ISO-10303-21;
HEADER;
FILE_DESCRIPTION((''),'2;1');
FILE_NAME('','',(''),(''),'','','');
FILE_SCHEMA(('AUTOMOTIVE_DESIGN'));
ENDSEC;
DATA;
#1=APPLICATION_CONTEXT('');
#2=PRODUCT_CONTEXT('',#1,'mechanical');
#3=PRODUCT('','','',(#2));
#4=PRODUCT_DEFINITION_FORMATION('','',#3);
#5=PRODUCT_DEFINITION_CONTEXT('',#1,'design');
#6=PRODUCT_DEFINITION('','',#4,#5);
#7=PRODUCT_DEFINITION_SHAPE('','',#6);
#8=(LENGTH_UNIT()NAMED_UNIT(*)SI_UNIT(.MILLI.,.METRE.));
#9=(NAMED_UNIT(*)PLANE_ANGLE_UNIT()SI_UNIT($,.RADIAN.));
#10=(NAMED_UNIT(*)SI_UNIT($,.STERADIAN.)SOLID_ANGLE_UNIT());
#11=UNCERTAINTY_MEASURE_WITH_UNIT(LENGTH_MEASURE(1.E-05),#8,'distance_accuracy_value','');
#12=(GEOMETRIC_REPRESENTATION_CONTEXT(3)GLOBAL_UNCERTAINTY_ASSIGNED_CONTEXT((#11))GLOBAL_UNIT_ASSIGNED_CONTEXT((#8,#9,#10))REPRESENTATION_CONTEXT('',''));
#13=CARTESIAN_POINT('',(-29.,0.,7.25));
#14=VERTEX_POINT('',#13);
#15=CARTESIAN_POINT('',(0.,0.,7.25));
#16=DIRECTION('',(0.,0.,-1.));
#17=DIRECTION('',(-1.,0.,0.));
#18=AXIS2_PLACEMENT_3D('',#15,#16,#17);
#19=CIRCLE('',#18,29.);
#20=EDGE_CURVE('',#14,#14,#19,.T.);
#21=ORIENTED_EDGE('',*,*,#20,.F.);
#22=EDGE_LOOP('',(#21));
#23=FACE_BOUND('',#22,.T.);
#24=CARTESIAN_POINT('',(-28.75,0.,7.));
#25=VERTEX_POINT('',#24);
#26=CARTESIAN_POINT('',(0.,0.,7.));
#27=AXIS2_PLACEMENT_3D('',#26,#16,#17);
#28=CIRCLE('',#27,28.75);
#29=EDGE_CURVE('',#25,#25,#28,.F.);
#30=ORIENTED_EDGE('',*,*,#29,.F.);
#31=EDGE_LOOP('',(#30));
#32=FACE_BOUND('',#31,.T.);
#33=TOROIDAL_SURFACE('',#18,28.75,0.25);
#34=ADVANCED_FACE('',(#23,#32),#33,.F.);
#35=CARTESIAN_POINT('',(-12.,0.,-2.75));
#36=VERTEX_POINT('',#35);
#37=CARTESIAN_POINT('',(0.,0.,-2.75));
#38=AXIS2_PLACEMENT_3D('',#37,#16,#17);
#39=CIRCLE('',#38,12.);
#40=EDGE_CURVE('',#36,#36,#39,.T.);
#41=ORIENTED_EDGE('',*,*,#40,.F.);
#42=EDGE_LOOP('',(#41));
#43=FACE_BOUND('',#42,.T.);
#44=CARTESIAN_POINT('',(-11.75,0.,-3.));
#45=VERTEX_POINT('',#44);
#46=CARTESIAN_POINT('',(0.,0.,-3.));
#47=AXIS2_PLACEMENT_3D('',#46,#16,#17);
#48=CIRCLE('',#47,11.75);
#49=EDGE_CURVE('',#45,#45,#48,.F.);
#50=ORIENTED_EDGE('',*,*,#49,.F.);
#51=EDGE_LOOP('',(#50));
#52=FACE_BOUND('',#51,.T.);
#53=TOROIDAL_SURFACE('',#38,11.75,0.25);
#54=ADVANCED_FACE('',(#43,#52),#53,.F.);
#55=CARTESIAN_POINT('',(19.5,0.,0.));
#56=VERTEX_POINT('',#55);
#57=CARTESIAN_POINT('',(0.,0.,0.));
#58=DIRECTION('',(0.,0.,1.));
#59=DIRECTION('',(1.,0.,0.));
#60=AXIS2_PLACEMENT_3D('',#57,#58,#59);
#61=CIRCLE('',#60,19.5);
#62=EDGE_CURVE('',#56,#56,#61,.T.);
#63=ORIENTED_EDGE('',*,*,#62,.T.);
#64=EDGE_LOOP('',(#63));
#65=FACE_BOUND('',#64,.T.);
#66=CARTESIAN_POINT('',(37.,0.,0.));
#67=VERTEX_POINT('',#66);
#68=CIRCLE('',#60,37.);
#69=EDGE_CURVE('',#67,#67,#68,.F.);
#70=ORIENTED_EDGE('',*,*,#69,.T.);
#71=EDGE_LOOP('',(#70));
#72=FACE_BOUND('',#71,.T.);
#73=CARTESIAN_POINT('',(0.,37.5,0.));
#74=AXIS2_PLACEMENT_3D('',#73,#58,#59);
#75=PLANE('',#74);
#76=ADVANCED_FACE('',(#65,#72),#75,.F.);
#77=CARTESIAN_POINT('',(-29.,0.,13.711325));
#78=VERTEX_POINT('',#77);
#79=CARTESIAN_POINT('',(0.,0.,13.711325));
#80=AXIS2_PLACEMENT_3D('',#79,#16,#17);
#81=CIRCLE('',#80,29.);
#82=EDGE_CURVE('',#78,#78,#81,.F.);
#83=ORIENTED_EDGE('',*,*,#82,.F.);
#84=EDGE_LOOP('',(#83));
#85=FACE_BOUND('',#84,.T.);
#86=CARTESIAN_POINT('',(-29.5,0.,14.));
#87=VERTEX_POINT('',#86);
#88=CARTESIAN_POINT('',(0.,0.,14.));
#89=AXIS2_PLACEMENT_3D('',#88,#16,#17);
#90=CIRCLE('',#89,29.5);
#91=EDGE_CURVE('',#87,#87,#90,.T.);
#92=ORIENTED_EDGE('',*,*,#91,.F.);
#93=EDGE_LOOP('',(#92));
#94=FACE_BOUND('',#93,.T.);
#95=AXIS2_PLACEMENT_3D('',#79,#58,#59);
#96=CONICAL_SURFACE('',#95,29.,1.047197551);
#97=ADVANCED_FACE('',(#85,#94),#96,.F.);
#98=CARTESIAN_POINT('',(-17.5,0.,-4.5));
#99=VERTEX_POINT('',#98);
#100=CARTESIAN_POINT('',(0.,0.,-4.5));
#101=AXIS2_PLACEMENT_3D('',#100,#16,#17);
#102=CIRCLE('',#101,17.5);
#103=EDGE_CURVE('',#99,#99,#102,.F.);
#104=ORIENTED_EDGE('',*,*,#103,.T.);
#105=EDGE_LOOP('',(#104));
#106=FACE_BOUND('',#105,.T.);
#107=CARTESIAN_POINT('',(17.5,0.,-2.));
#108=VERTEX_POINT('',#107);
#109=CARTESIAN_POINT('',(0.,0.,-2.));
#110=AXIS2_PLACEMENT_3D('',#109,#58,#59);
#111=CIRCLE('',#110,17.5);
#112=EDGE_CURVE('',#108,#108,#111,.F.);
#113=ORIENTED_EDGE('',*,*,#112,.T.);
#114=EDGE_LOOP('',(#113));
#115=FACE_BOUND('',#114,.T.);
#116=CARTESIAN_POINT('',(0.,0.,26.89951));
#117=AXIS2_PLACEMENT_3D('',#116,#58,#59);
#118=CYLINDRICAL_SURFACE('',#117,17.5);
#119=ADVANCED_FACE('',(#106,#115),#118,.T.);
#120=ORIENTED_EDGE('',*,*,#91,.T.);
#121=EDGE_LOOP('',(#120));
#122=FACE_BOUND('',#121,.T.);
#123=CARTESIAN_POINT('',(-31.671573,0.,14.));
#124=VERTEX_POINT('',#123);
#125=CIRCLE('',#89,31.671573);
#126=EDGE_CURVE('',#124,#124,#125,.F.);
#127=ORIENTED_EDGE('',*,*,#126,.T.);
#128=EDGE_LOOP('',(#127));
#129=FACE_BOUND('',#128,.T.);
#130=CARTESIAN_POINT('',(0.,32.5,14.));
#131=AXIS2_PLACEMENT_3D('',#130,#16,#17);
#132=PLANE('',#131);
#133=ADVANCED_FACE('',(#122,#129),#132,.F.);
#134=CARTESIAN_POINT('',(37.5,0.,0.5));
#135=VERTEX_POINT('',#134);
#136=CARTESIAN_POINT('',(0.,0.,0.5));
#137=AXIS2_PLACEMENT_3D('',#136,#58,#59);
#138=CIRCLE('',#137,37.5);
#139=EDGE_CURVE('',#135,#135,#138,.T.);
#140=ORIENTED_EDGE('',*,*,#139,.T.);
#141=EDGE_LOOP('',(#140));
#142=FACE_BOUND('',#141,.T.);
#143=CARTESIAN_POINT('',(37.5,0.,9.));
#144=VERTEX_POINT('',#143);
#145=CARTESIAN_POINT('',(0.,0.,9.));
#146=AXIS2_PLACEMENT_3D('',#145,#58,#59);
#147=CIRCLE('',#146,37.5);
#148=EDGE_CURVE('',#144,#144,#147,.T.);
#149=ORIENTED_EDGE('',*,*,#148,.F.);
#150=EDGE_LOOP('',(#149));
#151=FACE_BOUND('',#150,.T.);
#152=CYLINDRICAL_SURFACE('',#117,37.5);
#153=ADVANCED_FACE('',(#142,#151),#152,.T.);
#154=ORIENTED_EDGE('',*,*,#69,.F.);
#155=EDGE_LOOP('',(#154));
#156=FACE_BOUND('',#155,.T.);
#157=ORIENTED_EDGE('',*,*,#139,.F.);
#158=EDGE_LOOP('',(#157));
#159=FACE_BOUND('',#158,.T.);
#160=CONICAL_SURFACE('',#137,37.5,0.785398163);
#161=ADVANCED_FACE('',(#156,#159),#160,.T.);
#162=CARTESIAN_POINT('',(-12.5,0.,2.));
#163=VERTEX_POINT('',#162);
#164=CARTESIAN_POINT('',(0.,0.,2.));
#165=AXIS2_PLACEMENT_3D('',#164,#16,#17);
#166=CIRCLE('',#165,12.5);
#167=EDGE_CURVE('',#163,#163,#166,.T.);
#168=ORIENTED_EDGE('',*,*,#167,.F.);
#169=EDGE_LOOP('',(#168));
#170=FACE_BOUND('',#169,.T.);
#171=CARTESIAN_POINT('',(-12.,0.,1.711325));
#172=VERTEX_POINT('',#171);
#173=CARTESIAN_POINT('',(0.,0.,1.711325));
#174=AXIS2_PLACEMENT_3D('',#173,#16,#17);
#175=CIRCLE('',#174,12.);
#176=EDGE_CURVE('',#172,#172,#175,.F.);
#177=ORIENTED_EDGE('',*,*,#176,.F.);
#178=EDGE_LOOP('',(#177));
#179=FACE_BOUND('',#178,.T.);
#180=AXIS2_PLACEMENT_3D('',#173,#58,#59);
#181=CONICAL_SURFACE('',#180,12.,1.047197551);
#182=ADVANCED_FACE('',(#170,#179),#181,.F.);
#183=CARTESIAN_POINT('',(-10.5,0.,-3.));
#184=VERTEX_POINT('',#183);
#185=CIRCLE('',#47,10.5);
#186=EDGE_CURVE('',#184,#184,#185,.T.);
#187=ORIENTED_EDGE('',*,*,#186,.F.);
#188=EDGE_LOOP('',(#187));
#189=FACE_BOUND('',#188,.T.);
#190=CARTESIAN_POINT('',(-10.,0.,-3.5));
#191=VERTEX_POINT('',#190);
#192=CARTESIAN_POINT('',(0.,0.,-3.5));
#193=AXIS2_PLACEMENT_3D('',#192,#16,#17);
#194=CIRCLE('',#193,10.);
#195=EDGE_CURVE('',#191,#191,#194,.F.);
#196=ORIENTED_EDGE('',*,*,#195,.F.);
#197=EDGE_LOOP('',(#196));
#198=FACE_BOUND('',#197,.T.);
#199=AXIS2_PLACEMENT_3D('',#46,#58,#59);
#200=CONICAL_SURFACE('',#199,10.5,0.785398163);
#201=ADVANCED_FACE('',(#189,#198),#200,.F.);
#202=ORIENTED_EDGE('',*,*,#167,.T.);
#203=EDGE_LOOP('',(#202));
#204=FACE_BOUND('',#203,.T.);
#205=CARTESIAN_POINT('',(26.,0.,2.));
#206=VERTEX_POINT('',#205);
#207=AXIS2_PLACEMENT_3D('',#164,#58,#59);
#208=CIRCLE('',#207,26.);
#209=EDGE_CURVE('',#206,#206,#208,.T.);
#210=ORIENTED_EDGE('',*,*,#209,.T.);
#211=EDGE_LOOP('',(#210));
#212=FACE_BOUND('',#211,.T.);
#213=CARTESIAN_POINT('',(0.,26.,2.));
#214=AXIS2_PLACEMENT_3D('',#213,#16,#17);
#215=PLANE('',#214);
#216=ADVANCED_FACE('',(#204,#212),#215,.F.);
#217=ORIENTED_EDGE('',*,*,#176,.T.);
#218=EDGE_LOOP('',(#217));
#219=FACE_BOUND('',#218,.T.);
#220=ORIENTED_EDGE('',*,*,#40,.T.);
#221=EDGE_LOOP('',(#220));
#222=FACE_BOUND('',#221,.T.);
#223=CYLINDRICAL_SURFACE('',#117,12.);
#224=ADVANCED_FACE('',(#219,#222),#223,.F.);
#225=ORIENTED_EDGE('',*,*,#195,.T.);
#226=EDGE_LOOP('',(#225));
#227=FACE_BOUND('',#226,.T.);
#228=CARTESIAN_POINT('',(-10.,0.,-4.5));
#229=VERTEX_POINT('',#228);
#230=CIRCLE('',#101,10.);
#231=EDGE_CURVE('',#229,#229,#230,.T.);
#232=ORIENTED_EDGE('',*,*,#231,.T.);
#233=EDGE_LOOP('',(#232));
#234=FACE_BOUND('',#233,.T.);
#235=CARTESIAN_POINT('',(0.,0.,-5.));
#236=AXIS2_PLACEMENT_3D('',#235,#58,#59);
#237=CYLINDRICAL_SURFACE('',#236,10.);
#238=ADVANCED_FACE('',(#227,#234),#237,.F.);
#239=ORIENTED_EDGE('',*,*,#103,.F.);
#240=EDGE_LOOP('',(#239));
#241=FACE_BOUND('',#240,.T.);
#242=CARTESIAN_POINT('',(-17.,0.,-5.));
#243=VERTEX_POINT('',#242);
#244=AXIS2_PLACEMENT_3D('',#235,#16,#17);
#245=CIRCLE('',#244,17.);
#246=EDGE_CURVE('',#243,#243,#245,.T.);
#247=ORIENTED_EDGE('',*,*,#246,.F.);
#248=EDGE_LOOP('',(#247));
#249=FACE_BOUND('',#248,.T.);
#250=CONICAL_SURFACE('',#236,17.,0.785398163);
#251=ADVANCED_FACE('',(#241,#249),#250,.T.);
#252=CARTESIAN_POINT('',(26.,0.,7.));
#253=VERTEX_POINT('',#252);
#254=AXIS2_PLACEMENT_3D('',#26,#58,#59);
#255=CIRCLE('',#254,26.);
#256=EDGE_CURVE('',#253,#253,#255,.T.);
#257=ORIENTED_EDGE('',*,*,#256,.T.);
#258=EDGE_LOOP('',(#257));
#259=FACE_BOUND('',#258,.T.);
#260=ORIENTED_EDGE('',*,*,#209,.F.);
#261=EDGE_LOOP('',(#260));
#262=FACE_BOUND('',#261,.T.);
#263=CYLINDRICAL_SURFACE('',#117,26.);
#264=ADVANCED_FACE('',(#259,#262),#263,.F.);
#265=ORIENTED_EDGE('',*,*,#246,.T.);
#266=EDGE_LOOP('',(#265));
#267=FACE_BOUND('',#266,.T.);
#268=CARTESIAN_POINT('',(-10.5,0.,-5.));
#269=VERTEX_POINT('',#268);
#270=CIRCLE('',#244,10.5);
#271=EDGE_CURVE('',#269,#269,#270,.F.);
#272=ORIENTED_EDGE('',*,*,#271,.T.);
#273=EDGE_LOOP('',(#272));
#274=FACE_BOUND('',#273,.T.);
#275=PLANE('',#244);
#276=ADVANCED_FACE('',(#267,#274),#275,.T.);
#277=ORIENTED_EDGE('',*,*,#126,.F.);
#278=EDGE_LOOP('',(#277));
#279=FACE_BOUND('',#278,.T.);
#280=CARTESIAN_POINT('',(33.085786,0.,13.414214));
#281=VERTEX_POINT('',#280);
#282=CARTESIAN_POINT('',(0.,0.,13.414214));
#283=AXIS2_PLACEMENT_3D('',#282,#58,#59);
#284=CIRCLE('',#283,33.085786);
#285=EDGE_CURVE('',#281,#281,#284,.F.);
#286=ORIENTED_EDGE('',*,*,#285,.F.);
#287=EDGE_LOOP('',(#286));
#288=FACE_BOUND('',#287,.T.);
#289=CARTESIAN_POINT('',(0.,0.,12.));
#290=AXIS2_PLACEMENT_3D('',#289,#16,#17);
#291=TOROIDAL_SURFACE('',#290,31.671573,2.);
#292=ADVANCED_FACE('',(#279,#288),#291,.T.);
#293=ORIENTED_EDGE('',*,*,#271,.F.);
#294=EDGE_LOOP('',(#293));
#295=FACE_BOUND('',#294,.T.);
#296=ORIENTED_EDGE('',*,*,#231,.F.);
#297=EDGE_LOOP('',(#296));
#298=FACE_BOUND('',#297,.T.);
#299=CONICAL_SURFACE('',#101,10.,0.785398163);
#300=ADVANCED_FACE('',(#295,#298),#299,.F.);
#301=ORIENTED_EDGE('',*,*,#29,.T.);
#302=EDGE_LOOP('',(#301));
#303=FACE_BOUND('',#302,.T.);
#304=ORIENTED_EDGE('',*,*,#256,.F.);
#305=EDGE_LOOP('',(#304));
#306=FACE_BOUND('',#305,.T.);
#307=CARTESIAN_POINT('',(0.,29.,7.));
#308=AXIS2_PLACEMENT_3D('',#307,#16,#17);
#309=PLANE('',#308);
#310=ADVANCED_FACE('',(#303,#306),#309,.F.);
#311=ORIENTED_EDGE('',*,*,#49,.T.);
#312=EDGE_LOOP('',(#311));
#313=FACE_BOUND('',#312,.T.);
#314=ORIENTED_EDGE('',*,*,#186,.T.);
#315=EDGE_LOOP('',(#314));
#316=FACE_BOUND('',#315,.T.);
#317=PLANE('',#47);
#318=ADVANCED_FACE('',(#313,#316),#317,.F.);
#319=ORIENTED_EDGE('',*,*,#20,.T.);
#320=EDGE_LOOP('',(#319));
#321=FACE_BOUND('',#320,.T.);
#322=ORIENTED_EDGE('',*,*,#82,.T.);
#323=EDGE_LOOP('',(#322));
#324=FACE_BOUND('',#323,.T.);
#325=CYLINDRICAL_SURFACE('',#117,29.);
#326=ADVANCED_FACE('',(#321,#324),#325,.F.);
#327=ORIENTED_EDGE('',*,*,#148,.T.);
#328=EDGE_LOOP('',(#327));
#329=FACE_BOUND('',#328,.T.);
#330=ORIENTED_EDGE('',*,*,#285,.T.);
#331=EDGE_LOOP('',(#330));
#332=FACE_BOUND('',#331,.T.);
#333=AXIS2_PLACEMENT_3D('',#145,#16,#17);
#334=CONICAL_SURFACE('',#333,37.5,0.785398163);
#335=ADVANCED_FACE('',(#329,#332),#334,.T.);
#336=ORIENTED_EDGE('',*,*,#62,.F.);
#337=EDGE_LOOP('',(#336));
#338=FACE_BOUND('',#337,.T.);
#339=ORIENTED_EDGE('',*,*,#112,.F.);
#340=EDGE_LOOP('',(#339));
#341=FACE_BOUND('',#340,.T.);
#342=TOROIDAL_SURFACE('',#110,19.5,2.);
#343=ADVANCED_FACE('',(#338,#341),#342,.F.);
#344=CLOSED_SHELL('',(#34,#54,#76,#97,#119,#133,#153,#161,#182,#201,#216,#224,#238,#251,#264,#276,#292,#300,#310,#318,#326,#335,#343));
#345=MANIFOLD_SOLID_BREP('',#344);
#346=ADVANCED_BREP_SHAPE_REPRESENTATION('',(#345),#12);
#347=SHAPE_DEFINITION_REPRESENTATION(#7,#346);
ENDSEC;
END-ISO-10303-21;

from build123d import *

# Parameters (mm, degrees)
FILLET_1_R      = 2
CHAMFER_1_SIZE  = 0.5
CHAMFER_1_SIZE2 = 0.288675135
CHAMFER_2_SIZE  = 0.5
CHAMFER_2_SIZE2 = 0.288675135
SKETCH_2_R      = 17.5
SKETCH_2_R_2    = 10
EXTRUDE_1_DEPTH = 2
CHAMFER_3_SIZE  = 0.5
CHAMFER_4_SIZE  = 0.5
FILLET_2_R      = 0.25


with BuildPart() as part:
    # ｽｹｯﾁ1 → 回転1 (revolve)
    with BuildSketch(Plane(origin=(0, 0, 0), x_dir=(0, 0, -1), z_dir=(1, 0, 0)), mode=Mode.PRIVATE) as revolve_1_sk:
        Polygon((-9, 37.5), (-14, 32.5), (-14, 29), (-7, 29), (-7, 26), (-2, 26), (-2, 12), (3, 12), (3, 17.5), (0, 17.5), (0, 37.5), align=None)
    revolve(revolve_1_sk.sketch.rotate(Axis((0, 0, 26.899509804), (0, 0, -1)), 90), axis=Axis((0, 0, 26.899509804), (0, 0, -1)))

    # ﾌｨﾚｯﾄ1
    fillet_1_edges = [part.edges().sort_by_distance(p)[0] for p in [
        (-17.5, 0, 0),
        (-32.5, 0, 14),
    ]]
    fillet(fillet_1_edges, radius=FILLET_1_R)

    # 面取り1
    chamfer_1_edges = [part.edges().sort_by_distance(p)[0] for p in [
        (-29, 0, 14),
    ]]
    chamfer_1_side = [part.faces().sort_by_distance(p)[0] for p in [
        (-30.775765517, 0, 14),
    ]]
    chamfer(chamfer_1_edges, length=CHAMFER_1_SIZE, length2=CHAMFER_1_SIZE2, reference=chamfer_1_side[0])

    # 面取り2
    chamfer_2_edges = [part.edges().sort_by_distance(p)[0] for p in [
        (-12, 0, 2),
    ]]
    chamfer_2_side = [part.faces().sort_by_distance(p)[0] for p in [
        (-25.264608948, 0, 2),
    ]]
    chamfer(chamfer_2_edges, length=CHAMFER_2_SIZE, length2=CHAMFER_2_SIZE2, reference=chamfer_2_side[0])

    # ｽｹｯﾁ2 → ﾎﾞｽ - 押し出し1 (add)
    with BuildSketch(Plane(origin=(0, 0, -3), x_dir=(-1, 0, 0), z_dir=(0, 0, -1))):
        with Locations(Location((0, 0, 0), (0, 0, 180))):
            Circle(SKETCH_2_R)
        Circle(SKETCH_2_R_2, mode=Mode.SUBTRACT)
    extrude(amount=EXTRUDE_1_DEPTH)

    # 面取り3
    chamfer_3_edges = [part.edges().sort_by_distance(p)[0] for p in [
        (10, 0, -3),
        (10, 0, -5),
    ]]
    chamfer(chamfer_3_edges, length=CHAMFER_3_SIZE)

    # 面取り4
    chamfer_4_edges = [part.edges().sort_by_distance(p)[0] for p in [
        (-37.5, 0, 0),
        (-17.5, 0, -5),
    ]]
    chamfer(chamfer_4_edges, length=CHAMFER_4_SIZE)

    # ﾌｨﾚｯﾄ2
    fillet_2_edges = [part.edges().sort_by_distance(p)[0] for p in [
        (-12, 0, -3),
        (-29, 0, 7),
    ]]
    fillet(fillet_2_edges, radius=FILLET_2_R)


solid = part.part
